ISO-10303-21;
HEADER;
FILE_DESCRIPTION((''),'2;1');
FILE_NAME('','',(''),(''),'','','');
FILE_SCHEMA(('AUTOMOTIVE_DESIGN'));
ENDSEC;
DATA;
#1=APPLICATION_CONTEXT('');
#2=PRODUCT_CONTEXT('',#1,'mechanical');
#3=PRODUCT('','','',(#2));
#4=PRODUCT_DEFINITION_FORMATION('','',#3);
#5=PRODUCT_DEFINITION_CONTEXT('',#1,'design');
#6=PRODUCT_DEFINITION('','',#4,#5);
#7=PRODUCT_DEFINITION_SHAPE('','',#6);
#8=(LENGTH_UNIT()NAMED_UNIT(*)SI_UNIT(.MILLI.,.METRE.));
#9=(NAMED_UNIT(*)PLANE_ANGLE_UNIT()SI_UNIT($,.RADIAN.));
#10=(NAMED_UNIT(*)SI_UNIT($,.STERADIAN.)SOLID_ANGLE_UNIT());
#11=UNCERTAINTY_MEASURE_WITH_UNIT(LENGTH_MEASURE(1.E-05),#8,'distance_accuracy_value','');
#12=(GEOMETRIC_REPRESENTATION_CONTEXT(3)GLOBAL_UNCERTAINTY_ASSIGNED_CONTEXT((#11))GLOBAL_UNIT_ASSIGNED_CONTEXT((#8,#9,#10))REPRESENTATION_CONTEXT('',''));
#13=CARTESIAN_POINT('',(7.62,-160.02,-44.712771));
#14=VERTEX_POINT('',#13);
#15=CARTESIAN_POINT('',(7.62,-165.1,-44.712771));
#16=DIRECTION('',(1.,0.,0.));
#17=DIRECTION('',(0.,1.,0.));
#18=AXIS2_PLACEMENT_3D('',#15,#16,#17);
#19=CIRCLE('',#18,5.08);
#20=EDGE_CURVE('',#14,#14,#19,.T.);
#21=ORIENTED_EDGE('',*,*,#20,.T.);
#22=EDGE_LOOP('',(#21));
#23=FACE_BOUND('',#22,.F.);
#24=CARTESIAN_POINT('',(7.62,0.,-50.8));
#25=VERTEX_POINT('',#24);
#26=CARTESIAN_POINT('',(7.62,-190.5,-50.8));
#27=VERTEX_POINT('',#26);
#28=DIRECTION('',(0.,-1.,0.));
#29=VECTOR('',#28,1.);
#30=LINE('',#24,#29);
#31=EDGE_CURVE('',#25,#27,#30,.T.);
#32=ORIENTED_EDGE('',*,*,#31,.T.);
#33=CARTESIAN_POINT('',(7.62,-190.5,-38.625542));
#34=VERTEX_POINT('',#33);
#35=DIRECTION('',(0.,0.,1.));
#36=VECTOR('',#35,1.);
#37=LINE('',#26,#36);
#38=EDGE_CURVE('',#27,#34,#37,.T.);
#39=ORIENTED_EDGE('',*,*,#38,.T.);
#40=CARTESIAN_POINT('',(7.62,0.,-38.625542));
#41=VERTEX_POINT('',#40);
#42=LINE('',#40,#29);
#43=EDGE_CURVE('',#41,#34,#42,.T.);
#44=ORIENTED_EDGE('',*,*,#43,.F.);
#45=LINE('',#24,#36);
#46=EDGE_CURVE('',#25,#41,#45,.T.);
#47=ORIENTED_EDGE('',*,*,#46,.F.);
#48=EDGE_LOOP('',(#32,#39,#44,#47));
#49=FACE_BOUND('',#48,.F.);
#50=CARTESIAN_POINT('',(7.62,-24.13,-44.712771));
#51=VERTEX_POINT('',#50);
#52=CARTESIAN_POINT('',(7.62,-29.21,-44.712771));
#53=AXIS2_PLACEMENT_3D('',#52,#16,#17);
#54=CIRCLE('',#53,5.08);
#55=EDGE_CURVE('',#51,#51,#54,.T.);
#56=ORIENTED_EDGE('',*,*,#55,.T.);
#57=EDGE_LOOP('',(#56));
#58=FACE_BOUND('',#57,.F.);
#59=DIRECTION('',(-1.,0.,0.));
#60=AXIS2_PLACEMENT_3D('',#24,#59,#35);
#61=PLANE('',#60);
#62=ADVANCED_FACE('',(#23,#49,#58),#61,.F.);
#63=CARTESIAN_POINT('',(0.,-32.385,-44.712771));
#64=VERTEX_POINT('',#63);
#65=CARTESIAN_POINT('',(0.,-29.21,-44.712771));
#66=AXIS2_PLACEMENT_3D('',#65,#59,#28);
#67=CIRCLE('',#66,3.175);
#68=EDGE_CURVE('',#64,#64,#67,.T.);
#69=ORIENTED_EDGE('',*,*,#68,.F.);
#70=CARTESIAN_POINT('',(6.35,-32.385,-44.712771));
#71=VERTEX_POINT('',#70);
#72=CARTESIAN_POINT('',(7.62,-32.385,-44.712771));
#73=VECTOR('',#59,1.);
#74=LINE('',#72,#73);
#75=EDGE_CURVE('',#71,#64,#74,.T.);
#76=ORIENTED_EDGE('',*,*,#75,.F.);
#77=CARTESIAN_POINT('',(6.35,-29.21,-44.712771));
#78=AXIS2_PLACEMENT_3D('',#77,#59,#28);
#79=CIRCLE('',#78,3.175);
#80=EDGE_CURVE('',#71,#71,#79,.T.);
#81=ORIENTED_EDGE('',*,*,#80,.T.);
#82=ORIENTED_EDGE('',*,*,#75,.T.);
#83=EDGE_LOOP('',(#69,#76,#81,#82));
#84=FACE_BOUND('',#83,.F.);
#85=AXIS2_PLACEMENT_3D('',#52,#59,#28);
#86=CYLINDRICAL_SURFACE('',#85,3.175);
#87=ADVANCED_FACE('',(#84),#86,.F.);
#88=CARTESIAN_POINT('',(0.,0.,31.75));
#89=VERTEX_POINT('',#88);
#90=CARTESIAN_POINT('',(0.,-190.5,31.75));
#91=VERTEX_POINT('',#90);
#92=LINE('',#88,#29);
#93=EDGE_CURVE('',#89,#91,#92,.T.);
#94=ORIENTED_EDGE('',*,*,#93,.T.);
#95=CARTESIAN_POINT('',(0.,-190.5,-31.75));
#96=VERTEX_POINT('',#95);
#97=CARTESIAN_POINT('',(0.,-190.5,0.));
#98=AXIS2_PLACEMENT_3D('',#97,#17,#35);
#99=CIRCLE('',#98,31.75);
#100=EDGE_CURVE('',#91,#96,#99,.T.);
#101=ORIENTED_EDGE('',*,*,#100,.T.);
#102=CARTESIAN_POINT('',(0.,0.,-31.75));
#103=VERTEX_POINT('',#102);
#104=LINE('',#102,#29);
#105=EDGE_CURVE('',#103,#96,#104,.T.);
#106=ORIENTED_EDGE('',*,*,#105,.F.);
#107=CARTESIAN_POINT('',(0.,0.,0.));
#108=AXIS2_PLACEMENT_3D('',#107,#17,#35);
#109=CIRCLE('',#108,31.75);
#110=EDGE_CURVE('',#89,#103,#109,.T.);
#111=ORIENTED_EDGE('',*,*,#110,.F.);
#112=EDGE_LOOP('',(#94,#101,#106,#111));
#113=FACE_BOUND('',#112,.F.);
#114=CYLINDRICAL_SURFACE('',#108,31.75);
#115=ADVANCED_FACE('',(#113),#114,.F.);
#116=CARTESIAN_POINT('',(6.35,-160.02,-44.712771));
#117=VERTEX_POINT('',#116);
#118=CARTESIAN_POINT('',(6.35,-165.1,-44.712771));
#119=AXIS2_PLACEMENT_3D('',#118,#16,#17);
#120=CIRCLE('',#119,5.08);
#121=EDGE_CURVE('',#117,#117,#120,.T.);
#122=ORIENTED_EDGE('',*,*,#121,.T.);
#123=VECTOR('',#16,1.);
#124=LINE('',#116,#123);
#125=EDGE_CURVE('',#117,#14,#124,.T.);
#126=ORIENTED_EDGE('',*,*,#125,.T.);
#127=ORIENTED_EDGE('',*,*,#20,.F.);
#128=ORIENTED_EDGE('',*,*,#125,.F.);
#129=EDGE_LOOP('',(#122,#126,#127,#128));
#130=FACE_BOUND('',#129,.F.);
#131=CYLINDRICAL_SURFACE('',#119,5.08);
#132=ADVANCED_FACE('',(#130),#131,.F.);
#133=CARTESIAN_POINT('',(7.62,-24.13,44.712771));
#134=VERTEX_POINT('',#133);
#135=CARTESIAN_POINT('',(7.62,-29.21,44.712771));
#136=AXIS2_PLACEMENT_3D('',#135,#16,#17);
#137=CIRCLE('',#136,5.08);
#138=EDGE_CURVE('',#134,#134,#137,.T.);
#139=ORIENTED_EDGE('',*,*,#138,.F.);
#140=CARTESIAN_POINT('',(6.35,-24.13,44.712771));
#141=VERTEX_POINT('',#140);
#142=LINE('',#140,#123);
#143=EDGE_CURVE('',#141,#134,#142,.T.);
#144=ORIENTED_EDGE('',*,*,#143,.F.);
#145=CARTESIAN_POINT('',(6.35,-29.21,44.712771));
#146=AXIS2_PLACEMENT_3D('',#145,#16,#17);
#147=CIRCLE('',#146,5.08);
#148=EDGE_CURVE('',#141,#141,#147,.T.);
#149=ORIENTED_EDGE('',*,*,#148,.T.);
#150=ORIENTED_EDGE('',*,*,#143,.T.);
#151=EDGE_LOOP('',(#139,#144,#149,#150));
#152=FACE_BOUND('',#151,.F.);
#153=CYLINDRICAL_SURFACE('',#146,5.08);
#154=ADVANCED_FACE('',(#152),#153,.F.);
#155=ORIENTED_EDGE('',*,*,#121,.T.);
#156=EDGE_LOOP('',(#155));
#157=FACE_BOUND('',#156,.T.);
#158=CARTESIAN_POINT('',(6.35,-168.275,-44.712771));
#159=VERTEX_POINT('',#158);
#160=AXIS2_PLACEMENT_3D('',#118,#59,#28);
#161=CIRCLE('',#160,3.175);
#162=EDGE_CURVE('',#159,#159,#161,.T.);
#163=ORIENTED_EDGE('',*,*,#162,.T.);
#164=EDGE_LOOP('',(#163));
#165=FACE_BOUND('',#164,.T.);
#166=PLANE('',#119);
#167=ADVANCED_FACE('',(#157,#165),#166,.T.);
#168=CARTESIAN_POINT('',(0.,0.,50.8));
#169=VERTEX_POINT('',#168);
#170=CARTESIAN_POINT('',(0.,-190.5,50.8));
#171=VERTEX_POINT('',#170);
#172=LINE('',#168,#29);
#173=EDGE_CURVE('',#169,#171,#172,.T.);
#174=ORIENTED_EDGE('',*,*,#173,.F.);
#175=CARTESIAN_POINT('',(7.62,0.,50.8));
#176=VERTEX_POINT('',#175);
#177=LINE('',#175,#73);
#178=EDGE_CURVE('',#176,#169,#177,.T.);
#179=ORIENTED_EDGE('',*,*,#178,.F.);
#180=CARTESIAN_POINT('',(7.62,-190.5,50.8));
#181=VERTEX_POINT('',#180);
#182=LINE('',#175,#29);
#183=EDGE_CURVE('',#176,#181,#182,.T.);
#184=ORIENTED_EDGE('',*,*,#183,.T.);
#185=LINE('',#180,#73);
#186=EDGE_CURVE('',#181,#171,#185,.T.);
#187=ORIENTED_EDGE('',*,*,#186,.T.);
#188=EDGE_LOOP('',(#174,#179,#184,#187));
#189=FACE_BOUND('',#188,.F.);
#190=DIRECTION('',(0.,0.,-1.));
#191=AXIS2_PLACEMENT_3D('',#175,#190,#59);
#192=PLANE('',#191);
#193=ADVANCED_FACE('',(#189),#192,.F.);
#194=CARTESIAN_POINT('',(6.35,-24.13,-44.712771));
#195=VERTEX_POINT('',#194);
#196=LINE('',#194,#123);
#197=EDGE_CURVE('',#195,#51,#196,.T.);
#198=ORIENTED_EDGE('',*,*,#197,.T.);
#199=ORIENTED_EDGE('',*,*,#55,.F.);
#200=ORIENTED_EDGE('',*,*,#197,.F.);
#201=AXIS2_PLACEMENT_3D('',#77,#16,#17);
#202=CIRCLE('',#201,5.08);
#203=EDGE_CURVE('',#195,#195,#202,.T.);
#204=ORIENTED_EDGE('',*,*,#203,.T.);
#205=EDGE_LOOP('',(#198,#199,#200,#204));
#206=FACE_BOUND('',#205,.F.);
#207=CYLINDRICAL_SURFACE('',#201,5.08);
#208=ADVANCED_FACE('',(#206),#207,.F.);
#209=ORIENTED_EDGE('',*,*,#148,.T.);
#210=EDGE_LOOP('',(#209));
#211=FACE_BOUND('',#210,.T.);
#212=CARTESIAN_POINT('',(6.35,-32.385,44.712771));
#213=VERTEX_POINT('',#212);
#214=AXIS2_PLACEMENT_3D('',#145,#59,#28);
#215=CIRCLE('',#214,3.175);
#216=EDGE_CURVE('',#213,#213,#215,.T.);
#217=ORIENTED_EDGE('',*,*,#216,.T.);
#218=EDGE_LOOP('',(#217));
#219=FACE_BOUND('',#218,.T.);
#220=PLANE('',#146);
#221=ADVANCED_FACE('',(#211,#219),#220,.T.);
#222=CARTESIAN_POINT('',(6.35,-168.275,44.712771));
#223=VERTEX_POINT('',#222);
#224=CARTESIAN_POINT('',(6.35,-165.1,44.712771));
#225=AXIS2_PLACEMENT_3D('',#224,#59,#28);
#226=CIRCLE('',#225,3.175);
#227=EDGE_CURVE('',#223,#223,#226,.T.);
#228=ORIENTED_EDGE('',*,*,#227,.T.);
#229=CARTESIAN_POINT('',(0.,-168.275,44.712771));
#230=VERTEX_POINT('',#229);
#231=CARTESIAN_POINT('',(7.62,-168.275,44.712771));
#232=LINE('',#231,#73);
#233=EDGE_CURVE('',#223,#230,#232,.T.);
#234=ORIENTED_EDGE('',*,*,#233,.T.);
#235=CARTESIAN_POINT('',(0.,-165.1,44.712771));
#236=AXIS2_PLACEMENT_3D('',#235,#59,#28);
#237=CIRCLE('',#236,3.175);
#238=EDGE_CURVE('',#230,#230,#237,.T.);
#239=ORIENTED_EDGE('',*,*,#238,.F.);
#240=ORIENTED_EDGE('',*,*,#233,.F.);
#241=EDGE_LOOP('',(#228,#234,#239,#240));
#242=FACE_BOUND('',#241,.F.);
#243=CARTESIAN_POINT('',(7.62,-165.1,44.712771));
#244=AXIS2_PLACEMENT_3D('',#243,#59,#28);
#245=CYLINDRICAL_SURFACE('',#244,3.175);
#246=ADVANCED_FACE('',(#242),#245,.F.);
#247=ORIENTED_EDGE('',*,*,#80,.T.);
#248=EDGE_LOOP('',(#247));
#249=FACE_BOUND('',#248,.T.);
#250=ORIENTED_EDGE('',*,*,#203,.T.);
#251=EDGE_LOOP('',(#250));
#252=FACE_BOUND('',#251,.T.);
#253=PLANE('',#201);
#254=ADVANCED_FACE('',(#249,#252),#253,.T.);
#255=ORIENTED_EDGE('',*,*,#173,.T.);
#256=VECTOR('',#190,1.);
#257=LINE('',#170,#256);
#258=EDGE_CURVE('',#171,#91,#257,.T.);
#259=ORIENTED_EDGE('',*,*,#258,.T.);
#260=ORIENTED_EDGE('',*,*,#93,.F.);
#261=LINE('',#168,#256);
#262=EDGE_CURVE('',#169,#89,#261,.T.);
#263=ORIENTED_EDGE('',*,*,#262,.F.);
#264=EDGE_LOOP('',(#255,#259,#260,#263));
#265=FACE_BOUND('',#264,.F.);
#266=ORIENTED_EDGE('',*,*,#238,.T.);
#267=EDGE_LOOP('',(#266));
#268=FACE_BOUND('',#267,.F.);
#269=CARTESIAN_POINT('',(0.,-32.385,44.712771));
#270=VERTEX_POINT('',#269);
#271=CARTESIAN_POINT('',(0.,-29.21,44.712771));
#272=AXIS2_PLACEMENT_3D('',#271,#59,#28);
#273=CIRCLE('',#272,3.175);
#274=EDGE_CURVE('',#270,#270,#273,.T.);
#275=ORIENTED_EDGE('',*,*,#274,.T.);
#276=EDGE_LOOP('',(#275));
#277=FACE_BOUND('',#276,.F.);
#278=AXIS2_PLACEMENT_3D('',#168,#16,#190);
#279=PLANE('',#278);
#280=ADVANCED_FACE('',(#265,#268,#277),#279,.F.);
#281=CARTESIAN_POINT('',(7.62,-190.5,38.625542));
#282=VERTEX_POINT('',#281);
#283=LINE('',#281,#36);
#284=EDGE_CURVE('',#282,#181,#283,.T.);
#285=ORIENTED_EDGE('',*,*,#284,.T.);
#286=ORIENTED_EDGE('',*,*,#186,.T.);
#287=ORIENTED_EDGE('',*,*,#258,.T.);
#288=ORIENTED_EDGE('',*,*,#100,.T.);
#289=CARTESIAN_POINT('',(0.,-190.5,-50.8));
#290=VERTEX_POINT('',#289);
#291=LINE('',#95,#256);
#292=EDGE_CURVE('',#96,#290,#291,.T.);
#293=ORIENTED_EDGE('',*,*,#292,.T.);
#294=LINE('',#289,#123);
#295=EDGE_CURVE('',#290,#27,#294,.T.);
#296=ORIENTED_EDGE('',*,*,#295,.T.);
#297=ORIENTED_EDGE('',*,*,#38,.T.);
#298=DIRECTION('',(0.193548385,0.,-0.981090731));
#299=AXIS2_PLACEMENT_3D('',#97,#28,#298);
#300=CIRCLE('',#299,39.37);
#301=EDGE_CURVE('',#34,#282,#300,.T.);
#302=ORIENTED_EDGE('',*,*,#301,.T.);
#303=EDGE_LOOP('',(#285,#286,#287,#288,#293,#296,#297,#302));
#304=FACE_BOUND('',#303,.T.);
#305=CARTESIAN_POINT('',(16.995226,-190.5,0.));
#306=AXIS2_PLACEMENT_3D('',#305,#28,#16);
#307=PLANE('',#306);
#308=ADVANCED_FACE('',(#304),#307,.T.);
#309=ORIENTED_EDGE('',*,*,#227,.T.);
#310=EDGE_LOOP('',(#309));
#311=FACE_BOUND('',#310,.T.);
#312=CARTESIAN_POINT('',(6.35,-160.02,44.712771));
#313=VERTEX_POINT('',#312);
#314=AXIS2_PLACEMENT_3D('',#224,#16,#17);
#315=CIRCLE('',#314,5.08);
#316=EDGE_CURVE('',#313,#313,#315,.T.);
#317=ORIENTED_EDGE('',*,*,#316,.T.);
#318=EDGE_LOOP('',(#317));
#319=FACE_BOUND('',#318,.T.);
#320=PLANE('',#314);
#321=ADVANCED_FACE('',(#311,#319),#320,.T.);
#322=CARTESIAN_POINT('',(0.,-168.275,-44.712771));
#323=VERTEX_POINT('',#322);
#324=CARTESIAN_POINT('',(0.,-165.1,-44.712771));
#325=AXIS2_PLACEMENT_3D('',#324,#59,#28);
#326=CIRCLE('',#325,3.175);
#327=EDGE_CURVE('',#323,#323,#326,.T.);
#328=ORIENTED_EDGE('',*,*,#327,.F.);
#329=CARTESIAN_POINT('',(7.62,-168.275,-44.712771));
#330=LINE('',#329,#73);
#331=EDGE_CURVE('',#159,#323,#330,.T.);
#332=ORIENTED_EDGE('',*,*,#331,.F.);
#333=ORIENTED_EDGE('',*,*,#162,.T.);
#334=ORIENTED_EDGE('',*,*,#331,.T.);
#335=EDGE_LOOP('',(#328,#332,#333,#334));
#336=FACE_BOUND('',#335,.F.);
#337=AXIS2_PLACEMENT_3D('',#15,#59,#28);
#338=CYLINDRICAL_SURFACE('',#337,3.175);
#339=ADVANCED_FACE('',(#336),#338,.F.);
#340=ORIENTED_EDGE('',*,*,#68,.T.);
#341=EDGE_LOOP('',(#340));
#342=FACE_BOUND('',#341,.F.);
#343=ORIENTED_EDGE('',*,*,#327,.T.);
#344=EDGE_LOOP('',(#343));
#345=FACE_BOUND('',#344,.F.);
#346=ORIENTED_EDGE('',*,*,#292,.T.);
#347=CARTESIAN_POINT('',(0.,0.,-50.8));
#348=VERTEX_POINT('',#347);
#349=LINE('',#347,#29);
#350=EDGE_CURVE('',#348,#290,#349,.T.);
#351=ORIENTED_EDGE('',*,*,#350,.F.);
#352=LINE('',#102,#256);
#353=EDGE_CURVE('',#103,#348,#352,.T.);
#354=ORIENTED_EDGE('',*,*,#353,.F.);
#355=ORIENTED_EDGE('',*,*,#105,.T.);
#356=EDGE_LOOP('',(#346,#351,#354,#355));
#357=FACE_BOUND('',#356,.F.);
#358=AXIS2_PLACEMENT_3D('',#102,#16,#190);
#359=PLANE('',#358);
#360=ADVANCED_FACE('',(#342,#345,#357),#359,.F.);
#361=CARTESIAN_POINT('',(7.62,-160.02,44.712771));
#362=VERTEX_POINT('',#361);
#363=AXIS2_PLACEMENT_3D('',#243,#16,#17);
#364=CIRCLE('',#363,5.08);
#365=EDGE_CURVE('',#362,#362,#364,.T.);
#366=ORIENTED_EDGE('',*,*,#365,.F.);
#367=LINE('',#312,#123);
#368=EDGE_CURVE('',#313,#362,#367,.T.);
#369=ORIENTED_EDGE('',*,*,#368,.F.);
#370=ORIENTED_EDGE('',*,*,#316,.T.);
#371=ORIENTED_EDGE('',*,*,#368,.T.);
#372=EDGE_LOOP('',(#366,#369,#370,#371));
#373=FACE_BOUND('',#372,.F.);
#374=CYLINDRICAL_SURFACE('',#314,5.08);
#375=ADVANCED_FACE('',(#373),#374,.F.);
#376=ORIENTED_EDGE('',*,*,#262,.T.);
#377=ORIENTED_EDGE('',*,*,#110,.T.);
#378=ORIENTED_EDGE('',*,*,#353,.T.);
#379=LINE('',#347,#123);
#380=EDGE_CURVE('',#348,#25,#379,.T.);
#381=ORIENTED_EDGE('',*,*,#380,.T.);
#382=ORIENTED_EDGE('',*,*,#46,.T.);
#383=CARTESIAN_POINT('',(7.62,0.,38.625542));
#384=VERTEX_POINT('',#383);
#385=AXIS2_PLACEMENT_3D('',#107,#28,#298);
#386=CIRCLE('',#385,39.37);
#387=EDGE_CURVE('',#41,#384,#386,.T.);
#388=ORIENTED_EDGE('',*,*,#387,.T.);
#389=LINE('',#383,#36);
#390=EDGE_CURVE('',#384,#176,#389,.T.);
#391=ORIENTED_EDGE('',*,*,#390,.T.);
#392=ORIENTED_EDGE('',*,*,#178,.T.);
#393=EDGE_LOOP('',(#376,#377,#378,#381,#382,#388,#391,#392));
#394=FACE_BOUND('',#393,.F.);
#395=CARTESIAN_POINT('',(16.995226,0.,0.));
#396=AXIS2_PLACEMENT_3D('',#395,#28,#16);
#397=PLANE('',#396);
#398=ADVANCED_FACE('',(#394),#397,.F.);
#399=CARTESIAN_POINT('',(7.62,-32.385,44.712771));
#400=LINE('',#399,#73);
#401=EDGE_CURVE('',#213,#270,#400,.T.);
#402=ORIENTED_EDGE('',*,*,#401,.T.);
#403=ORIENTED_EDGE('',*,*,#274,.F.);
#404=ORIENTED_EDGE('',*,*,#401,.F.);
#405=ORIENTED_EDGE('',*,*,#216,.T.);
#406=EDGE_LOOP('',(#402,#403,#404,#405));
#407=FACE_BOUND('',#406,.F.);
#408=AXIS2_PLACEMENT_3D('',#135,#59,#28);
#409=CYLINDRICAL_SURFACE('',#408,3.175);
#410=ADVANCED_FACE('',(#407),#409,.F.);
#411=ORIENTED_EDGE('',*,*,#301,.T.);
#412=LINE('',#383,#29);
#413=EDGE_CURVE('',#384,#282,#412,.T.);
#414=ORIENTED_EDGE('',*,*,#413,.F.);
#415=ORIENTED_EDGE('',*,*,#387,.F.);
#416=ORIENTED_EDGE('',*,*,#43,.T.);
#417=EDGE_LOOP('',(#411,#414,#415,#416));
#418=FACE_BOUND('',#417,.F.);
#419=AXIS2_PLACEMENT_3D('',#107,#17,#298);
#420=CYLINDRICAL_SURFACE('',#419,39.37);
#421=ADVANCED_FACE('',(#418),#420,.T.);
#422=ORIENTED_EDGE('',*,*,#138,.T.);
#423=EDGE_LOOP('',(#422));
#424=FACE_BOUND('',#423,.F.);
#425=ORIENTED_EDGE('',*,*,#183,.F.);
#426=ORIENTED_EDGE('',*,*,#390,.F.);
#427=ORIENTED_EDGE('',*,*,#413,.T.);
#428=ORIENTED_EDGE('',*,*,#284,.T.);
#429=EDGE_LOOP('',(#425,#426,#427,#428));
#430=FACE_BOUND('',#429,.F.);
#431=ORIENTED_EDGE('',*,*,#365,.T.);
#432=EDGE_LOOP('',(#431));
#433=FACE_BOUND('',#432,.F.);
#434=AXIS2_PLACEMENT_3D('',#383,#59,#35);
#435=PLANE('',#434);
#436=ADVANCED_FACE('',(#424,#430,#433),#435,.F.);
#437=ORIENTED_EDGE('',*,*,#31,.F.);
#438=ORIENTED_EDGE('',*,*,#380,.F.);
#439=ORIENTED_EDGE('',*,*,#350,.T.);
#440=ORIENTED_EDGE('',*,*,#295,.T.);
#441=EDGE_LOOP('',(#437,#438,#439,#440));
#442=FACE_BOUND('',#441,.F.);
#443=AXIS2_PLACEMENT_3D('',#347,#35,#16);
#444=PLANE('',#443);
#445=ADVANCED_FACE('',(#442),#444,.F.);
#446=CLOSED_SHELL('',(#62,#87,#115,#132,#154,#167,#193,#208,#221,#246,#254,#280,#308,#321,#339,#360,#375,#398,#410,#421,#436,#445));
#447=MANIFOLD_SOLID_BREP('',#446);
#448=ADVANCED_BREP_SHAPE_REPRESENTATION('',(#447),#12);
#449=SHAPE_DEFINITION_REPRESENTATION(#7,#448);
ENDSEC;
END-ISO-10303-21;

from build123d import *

# Parameters (mm, degrees)
F1_DEPTH       = 190.5
F3_D           = 6.35
F3_CBORE_D     = 10.16
F3_CBORE_DEPTH = 1.27


with BuildPart() as f1:
    # F0 (on Front) → F1 (new body)
    with BuildSketch(Plane.XZ):
        with BuildLine():
            Line((0, 50.8), (0, 31.75))
            ThreePointArc((0, 31.75), (31.75, 0), (0, -31.75))
            Line((0, -31.75), (0, -50.8))
            Line((0, -50.8), (7.62, -50.8))
            Line((7.62, -50.8), (7.62, -38.625542))
            ThreePointArc((7.62, -38.625542), (39.37, 0), (7.62, 38.625542))
            Line((7.62, 38.625542), (7.62, 50.8))
            Line((7.62, 50.8), (0, 50.8))
        make_face()
    extrude(amount=F1_DEPTH)

    # F3 (through all)
    with Locations(Plane.YZ.offset(7.62)):
        with Locations((-165.1, -44.712771), (-29.21, -44.712771), (-29.21, 44.712771), (-165.1, 44.712771)):
            CounterBoreHole(F3_D / 2, F3_CBORE_D / 2, F3_CBORE_DEPTH)


solid = f1.part
